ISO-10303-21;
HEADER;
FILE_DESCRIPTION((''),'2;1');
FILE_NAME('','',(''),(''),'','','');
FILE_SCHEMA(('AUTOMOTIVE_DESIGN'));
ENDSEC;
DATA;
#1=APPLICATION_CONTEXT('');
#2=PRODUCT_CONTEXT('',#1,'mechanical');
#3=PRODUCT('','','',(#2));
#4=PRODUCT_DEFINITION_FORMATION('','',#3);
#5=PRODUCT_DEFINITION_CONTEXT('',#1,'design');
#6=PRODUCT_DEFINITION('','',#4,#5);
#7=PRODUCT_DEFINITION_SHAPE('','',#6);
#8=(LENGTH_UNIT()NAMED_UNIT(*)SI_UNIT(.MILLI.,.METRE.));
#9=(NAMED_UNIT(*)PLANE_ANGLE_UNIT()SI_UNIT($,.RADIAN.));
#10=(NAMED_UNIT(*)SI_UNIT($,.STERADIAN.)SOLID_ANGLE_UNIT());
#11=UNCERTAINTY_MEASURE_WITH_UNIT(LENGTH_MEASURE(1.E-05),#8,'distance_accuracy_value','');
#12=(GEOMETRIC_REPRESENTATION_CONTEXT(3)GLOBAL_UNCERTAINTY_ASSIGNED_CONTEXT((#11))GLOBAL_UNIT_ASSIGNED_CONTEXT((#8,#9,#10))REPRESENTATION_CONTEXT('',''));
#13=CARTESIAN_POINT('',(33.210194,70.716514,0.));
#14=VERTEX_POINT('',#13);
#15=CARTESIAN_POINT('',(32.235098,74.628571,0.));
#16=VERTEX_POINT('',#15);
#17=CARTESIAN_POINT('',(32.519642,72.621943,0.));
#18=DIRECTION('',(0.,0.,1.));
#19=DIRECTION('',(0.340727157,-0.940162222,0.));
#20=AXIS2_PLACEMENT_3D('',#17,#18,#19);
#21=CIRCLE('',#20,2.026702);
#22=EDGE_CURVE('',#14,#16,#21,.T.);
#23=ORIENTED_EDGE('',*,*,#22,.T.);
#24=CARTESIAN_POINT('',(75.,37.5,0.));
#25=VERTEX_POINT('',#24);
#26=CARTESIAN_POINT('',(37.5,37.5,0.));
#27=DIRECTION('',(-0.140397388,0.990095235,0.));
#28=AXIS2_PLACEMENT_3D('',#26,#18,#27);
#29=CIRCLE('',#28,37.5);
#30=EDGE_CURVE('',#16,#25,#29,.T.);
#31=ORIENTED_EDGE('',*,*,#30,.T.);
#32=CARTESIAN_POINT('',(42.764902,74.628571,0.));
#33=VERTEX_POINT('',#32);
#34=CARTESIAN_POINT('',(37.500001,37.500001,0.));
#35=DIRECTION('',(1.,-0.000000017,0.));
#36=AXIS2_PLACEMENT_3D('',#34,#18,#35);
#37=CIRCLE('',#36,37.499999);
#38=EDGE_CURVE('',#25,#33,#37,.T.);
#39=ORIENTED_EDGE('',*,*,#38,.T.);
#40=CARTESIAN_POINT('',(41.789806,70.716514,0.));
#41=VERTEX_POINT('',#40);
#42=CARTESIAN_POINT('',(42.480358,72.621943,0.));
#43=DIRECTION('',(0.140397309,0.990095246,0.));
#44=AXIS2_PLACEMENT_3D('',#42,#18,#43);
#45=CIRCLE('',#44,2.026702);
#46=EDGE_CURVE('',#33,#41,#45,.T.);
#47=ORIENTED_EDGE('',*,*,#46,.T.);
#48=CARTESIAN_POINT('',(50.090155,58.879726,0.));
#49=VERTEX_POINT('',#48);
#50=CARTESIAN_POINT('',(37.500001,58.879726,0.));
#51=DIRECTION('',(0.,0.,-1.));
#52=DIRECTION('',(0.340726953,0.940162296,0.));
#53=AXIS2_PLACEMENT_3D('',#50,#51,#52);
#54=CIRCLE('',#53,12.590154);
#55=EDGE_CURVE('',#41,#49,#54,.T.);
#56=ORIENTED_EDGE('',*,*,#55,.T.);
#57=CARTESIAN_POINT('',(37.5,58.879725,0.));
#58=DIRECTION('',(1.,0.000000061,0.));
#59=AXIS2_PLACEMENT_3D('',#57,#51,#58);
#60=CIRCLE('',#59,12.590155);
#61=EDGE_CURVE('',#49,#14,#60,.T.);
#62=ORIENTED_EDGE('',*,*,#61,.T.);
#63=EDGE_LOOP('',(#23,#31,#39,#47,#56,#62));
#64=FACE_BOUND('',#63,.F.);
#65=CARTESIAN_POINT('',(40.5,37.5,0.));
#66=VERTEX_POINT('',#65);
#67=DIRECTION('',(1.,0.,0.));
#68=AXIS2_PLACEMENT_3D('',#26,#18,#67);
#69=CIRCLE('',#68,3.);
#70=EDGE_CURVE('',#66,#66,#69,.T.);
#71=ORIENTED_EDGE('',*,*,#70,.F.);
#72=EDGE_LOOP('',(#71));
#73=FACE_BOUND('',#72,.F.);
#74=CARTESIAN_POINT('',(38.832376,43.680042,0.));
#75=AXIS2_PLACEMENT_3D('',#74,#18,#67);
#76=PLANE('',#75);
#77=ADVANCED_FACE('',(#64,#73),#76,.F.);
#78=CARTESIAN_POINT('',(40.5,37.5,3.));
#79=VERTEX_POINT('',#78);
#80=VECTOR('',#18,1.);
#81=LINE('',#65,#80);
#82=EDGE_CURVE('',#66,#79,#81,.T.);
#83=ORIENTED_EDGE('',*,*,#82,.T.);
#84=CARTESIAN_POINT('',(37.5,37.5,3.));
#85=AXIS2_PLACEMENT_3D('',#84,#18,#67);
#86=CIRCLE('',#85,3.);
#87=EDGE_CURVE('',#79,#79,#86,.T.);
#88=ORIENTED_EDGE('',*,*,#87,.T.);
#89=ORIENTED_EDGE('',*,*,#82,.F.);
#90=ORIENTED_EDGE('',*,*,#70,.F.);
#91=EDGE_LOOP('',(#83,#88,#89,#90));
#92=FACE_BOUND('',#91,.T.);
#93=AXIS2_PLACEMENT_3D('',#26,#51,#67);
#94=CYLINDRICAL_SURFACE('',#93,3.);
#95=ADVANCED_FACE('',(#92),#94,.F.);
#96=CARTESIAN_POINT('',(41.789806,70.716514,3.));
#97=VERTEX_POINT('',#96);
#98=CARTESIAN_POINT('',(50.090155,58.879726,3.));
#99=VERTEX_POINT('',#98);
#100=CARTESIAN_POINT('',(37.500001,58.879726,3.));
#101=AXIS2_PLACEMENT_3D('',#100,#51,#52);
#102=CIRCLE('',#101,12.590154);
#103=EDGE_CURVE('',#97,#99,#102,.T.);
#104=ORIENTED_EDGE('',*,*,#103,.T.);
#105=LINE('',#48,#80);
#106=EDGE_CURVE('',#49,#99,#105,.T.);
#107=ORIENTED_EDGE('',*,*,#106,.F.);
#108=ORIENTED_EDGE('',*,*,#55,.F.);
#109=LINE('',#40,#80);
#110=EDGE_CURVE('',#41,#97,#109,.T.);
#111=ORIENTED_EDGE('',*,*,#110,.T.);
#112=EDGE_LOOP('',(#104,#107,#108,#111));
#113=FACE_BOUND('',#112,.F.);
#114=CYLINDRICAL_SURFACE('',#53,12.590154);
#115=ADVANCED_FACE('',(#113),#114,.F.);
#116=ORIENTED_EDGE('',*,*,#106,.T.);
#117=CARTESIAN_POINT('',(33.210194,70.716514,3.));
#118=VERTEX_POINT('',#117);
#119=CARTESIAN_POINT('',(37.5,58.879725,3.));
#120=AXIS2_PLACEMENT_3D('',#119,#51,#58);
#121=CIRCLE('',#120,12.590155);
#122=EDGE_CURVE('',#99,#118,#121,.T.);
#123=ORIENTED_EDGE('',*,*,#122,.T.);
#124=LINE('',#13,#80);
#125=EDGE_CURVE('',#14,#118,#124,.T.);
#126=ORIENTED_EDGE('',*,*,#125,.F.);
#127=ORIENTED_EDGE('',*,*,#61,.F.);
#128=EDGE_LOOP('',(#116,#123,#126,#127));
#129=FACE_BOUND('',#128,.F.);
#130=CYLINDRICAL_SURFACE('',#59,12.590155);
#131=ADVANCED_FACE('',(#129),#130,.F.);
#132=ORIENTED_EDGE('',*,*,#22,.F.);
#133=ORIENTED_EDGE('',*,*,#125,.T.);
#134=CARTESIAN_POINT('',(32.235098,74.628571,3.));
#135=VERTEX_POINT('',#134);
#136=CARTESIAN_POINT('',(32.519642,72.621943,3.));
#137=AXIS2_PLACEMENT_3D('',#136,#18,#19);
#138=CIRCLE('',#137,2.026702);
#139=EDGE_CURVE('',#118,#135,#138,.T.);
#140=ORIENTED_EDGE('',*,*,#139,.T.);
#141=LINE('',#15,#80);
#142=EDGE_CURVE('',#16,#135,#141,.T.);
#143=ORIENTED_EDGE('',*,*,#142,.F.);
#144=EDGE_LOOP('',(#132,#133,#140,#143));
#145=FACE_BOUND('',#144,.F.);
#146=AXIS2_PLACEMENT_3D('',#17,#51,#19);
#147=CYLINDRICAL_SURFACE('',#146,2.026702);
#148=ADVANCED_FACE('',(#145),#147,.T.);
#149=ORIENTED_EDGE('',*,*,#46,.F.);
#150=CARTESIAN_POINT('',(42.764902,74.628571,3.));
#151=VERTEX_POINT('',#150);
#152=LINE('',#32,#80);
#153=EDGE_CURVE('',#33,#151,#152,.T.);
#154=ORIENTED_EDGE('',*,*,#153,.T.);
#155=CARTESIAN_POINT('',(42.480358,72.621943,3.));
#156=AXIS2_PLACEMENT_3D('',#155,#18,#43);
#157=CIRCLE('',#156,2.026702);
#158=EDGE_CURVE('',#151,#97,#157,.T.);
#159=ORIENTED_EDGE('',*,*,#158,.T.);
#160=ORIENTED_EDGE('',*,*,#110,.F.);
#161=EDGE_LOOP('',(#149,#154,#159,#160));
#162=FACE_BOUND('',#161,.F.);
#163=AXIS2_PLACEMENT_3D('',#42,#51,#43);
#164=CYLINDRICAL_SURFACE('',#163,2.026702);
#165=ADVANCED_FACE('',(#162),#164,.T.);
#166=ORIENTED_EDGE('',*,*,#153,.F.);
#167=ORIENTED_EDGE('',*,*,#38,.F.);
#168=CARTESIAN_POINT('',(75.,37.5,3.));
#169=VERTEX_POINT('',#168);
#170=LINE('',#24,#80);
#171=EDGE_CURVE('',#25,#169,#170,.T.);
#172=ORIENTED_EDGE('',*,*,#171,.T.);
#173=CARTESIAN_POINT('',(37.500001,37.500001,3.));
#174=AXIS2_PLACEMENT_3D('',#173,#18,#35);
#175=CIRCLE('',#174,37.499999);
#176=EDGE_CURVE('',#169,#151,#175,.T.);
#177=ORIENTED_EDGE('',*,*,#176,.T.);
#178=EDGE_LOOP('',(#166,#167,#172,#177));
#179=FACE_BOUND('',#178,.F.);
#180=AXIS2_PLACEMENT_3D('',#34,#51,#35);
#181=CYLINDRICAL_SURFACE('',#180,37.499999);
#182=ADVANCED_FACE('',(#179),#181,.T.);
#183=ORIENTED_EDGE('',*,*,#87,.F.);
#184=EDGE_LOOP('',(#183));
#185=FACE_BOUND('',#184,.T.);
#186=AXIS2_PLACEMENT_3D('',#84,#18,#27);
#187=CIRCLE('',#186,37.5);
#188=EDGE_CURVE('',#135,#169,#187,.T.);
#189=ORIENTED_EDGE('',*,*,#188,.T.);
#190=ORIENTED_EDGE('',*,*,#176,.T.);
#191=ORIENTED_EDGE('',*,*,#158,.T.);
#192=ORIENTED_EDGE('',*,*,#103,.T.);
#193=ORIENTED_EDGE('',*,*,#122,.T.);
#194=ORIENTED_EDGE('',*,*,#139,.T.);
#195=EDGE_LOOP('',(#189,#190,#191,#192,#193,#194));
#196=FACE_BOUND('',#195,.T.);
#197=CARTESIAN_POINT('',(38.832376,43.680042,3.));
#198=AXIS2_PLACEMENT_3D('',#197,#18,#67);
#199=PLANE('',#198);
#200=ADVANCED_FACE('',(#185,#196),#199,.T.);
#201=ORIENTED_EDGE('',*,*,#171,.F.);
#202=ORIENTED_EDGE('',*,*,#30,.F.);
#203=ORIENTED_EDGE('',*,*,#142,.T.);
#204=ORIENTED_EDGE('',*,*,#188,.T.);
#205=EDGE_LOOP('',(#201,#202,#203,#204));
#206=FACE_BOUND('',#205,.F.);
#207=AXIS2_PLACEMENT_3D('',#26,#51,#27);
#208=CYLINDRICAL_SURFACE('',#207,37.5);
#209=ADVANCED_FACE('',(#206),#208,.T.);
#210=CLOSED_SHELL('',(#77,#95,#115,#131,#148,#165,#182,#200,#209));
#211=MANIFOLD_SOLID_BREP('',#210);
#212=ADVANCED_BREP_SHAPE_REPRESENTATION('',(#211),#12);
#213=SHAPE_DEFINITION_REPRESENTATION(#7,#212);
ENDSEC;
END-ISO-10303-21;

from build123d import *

# Parameters (mm, degrees)
F0_R     = 3
F1_DEPTH = 3


with BuildPart() as f1:
    # F0 (on Top) → F1 (new body)
    with BuildSketch(Plane.XY):
        with BuildLine():
            ThreePointArc((32.235098, 74.628571), (12.915287, 9.183187), (75, 37.5))
            ThreePointArc((75, 37.5), (65.816813, 62.084713), (42.764902, 74.628571))
            ThreePointArc((42.764902, 74.628571), (40.513824, 73.11211), (41.789806, 70.716514))
            ThreePointArc((41.789806, 70.716514), (47.808281, 66.108235), (50.090155, 58.879726))
            ThreePointArc((50.090155, 58.879726), (30.271491, 48.571444), (33.210194, 70.716514))
            ThreePointArc((33.210194, 70.716514), (34.486176, 73.11211), (32.235098, 74.628571))
        make_face()
        with Locations((37.5, 37.5)):
            Circle(F0_R, mode=Mode.SUBTRACT)
    extrude(amount=F1_DEPTH)


solid = f1.part
